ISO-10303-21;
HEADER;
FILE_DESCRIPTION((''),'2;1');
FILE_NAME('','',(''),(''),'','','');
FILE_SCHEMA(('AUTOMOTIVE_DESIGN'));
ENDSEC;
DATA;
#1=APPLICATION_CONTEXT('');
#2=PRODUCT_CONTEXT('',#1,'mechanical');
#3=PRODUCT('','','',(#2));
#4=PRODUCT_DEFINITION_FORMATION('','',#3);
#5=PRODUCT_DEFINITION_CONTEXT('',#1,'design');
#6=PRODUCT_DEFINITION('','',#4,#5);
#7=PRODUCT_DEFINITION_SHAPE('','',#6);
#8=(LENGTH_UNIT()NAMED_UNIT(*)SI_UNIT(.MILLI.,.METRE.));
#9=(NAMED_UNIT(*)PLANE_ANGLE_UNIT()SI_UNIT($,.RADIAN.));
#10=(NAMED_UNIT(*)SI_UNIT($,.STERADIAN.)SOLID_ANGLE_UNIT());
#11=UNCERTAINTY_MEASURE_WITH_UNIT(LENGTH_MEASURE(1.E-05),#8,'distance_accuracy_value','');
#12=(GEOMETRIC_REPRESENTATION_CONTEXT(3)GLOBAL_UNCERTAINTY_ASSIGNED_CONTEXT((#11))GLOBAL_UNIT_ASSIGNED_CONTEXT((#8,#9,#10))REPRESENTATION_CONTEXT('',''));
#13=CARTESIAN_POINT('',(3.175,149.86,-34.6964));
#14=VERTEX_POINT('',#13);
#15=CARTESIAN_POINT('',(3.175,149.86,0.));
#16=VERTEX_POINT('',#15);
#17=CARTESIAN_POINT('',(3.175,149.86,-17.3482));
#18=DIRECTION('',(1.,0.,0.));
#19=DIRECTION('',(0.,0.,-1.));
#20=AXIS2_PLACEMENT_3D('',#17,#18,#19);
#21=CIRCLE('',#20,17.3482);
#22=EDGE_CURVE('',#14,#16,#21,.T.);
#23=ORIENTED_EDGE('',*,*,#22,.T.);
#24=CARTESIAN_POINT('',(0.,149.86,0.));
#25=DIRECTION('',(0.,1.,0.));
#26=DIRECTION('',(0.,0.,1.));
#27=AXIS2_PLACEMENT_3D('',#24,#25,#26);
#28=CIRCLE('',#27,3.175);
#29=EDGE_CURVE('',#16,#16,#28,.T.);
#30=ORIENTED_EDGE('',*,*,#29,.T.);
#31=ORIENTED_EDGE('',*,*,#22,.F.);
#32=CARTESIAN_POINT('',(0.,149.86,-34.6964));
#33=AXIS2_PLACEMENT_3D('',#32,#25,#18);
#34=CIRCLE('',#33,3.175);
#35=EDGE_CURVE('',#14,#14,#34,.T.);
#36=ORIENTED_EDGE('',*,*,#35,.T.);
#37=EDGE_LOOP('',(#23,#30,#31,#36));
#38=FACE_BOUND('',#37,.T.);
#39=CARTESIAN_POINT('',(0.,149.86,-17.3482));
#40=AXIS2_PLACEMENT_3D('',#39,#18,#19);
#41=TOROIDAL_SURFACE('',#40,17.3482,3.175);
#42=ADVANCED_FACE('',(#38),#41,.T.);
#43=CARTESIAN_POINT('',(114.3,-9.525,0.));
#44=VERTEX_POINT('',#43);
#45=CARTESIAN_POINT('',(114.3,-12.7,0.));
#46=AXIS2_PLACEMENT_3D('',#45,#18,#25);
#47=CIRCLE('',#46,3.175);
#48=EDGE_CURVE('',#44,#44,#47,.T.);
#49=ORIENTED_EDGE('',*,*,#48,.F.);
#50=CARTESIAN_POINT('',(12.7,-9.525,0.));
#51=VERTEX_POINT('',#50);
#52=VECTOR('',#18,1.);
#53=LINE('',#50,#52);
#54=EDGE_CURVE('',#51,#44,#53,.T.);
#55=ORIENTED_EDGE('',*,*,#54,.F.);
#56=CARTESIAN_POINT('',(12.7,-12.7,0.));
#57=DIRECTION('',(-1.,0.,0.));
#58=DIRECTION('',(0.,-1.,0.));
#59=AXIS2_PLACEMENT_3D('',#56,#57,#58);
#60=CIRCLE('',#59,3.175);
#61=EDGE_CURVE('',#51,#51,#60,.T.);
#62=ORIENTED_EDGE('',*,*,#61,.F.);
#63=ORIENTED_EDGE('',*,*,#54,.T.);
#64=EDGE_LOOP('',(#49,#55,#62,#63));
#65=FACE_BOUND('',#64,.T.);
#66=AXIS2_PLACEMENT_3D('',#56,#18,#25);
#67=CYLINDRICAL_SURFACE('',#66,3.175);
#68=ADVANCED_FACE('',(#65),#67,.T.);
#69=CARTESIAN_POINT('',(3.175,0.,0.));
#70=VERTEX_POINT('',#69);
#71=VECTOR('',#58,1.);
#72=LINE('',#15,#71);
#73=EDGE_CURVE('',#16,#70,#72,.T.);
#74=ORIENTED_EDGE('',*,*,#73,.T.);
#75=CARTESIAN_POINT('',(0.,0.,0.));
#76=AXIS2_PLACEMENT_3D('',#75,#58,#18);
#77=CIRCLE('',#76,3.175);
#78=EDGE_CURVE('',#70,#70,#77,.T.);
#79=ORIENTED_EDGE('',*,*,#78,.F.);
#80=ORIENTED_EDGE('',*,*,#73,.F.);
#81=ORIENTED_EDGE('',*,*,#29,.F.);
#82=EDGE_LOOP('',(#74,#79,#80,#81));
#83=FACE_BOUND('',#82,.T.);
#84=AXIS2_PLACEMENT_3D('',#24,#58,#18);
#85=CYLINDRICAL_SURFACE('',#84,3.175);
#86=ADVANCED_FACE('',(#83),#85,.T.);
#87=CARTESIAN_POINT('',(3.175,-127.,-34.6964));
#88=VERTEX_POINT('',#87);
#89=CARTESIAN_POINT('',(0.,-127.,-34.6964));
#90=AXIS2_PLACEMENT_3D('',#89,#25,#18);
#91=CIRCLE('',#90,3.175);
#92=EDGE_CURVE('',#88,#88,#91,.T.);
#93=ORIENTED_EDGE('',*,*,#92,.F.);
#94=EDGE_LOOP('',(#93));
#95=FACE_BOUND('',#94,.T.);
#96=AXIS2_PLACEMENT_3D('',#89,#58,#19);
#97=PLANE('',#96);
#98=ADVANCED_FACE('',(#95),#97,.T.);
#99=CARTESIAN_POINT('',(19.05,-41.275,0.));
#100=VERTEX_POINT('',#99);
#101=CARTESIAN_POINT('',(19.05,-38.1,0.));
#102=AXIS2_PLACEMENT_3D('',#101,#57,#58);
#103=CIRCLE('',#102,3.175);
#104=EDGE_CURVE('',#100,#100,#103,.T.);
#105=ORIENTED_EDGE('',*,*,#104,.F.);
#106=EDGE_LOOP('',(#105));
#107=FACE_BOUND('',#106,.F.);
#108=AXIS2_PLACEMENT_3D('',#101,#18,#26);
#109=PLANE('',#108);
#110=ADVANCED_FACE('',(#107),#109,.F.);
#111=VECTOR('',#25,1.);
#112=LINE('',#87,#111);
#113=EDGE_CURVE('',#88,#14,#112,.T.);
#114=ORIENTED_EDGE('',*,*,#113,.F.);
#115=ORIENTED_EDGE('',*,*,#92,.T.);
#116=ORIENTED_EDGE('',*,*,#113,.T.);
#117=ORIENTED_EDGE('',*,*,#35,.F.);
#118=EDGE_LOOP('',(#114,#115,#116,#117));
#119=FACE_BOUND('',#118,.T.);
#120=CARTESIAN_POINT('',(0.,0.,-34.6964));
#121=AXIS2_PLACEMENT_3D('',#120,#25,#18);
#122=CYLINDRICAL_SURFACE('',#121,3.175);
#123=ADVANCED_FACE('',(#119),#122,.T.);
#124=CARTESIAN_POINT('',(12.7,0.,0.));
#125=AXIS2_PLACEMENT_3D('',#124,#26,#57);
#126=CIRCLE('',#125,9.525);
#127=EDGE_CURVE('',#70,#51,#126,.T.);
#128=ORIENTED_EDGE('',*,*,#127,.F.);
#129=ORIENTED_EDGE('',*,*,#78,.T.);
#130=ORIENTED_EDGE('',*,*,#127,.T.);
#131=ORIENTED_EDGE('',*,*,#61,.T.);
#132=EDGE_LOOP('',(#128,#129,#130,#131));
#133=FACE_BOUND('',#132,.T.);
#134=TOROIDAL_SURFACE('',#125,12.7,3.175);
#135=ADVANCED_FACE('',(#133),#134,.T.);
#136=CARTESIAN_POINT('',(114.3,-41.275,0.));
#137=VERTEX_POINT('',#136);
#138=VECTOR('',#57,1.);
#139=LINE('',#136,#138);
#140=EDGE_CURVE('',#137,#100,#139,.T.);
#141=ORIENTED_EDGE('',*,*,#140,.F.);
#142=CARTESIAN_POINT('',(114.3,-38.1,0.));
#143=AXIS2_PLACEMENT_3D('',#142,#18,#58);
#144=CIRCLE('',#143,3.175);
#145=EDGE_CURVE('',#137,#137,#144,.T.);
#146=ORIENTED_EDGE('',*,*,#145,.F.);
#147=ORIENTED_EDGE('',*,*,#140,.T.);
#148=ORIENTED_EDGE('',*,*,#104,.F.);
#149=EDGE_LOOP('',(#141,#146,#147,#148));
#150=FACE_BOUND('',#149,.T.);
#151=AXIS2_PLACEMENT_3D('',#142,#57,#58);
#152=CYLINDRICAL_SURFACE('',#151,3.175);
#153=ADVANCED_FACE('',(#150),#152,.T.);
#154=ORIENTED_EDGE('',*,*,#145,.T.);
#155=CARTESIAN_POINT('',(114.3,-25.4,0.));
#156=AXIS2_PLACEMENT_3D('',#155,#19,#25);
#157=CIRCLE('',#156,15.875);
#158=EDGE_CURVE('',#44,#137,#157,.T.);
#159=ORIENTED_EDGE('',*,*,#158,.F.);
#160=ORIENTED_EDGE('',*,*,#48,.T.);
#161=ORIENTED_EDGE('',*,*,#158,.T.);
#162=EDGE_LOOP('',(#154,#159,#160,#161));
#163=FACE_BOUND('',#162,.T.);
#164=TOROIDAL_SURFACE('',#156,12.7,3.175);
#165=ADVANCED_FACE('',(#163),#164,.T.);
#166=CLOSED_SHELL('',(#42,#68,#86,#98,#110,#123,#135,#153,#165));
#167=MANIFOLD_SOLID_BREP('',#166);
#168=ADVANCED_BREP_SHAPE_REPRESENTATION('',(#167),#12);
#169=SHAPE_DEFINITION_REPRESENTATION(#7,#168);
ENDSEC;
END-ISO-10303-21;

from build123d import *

# Parameters (mm, degrees)
F2_R     = 3.175
F4_DEPTH = 127


with BuildPart() as f3:
    # F3: sweep along a path in F0, F1
    with BuildLine(Plane.YZ) as f3_path:
        Line((0, -34.6964), (149.86, -34.6964))
        ThreePointArc((149.86, -34.6964), (167.2082, -17.3482), (149.86, 0))
        Line((149.86, 0), (0, 0))
    with BuildLine(Plane.XY) as f3_path_2:
        ThreePointArc((0, 0), (3.7197438789, -8.9802561211), (12.7, -12.7))
        Line((12.7, -12.7), (114.3, -12.7))
        ThreePointArc((114.3, -12.7), (127, -25.4), (114.3, -38.1))
        Line((114.3, -38.1), (19.05, -38.1))
    # F2 (on Front) → F3 (sweep)
    with BuildSketch(Plane.XZ):
        with Locations((0, -34.6964)):
            Circle(F2_R)
    sweep(path=f3_path.line + f3_path_2.line)

    # F4 (add): a face of the model
    f4_faces = [f3.faces().sort_by_distance(p)[0] for p in [
        (0, 0, -34.6964),
    ]]
    extrude(f4_faces, amount=F4_DEPTH)


solid = f3.part
